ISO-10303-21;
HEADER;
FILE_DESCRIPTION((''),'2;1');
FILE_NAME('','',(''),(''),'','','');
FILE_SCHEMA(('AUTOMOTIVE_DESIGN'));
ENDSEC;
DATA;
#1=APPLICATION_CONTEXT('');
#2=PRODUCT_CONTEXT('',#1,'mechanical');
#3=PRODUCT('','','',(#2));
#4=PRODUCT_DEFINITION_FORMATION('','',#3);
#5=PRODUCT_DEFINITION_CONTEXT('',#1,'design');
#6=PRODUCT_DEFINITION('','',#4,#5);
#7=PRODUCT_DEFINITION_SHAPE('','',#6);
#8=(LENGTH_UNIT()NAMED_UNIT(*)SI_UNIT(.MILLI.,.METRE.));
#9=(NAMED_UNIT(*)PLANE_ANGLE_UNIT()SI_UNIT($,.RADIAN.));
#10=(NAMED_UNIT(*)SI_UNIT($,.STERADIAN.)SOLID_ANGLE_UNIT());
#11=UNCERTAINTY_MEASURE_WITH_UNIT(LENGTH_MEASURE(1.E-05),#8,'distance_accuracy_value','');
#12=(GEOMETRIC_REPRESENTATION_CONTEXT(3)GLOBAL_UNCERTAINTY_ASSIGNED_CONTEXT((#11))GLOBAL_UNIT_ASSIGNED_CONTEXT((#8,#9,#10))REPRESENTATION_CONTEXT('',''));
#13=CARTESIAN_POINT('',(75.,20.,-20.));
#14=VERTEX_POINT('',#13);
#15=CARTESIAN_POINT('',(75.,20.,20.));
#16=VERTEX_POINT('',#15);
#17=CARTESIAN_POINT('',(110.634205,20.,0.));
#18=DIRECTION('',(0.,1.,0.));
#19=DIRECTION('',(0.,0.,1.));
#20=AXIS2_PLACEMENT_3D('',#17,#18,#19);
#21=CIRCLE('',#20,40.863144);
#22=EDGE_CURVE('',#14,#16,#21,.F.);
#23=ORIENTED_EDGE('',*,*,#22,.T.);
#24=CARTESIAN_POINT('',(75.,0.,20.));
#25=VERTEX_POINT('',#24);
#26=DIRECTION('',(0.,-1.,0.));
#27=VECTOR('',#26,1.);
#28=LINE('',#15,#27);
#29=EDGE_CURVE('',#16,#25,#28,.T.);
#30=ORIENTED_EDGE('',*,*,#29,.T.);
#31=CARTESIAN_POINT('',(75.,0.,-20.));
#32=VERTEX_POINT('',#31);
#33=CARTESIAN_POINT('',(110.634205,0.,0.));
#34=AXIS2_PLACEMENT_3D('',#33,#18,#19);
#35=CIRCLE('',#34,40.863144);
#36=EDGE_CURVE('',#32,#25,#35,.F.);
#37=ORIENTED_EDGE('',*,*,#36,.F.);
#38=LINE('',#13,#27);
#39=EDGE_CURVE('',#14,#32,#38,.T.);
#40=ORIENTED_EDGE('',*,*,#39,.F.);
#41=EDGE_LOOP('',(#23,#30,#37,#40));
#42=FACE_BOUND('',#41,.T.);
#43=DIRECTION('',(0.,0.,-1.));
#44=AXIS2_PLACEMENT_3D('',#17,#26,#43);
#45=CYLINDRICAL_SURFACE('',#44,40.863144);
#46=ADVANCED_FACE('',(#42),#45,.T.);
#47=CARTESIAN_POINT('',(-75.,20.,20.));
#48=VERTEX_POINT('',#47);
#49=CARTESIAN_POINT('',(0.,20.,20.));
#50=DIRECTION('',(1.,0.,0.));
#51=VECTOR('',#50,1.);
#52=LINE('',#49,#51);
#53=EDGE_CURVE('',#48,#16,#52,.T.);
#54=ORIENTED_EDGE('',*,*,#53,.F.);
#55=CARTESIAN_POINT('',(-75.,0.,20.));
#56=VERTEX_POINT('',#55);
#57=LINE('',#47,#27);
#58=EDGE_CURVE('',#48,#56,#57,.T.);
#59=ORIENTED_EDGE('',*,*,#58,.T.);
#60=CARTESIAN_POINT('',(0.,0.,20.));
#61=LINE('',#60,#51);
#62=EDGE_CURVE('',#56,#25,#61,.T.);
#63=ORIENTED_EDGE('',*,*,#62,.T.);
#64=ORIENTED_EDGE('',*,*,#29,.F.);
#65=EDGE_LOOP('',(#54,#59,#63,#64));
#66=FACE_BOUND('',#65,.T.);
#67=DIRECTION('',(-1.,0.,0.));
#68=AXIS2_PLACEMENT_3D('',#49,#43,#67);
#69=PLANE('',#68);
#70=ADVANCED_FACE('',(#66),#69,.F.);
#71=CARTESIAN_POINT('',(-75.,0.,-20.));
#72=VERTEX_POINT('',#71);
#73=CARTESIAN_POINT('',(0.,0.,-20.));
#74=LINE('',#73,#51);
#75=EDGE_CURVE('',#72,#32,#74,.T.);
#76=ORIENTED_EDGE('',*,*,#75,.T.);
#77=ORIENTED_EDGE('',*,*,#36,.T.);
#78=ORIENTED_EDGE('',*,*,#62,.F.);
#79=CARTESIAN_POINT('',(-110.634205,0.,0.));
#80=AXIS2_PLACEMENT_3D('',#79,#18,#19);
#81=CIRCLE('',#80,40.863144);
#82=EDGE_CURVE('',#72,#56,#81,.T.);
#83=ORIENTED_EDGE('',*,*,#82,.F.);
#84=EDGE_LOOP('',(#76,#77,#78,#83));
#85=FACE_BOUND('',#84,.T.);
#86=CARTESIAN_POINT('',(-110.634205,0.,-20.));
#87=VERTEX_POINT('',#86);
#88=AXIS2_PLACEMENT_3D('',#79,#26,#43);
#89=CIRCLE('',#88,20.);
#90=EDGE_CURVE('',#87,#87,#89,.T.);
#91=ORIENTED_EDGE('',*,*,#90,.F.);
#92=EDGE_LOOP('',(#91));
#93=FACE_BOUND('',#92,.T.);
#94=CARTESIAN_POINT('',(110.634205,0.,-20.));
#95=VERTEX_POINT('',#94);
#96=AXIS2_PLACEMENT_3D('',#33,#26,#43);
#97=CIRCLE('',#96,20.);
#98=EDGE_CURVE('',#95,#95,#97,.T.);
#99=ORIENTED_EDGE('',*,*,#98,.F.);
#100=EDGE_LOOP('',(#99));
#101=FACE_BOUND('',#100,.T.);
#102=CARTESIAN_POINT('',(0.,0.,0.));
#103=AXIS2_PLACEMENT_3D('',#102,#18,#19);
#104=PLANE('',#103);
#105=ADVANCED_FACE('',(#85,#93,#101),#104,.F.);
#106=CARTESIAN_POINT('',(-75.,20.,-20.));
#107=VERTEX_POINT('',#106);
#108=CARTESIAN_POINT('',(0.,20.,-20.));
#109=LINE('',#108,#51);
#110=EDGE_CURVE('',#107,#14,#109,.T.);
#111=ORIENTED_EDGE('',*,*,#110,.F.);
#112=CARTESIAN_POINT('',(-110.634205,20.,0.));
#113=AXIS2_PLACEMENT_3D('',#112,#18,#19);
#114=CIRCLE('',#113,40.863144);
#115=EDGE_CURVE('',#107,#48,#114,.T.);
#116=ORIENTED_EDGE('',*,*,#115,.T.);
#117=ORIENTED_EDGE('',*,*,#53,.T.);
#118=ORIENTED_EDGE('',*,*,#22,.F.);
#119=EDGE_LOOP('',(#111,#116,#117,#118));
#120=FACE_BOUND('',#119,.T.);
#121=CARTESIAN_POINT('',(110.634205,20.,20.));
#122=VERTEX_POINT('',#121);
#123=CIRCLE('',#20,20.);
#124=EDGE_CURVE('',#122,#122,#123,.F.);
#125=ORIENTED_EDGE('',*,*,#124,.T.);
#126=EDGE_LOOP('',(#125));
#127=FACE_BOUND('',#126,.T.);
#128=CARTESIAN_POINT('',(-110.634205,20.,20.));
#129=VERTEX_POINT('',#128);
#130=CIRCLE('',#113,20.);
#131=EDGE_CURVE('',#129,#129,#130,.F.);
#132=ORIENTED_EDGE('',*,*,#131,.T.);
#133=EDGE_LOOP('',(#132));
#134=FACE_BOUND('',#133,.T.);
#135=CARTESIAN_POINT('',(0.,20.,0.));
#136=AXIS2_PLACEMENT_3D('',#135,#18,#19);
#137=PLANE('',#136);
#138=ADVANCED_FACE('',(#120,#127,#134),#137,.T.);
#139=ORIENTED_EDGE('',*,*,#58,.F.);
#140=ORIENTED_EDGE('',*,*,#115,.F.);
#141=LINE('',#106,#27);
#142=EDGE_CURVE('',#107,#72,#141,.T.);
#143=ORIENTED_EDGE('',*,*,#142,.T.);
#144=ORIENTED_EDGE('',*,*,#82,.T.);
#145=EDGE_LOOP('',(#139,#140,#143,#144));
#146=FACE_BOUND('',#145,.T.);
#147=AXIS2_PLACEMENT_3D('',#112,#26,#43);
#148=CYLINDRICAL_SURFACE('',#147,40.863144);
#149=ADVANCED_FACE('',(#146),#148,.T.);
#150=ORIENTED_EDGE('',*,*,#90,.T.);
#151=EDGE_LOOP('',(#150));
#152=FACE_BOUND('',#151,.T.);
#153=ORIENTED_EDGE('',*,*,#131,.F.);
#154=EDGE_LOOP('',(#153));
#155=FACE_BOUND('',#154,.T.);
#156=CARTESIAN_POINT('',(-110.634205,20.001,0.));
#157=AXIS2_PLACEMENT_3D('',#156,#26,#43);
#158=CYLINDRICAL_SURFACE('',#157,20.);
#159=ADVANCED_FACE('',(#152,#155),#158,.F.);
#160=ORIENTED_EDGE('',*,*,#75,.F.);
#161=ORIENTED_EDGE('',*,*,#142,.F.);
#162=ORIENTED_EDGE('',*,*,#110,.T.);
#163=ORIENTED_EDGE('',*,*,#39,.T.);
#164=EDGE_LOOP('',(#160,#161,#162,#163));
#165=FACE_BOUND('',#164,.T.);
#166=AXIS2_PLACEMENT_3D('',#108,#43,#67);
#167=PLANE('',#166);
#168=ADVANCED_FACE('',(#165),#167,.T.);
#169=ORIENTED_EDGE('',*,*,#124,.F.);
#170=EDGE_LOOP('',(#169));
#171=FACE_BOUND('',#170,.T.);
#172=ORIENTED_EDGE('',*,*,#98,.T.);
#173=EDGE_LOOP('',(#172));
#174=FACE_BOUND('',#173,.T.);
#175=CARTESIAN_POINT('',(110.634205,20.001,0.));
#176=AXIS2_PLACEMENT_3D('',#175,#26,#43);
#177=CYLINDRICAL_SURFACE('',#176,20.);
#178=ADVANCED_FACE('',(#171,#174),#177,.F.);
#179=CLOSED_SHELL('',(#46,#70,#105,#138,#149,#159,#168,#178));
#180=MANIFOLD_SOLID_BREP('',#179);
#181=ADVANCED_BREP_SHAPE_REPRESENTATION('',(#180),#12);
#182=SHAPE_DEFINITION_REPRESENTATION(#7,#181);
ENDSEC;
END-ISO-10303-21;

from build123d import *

# Parameters (mm, degrees)
SKETCH4_R           = 40.863144044
SKETCH4_W           = 150
SKETCH4_H           = 40
BOSS_EXTRUDE1_DEPTH = 20
CUT_EXTRUDE1_REACH  = 160.181
SKETCH6_R           = 20


with BuildPart() as part:
    # Sketch4 → Boss-Extrude1 (new body)
    with BuildSketch(Plane(origin=(0, 0, 0), x_dir=(1, 0, 0), z_dir=(0, 1, 0))):
        with Locations((-110.634204652, 0)):
            Circle(SKETCH4_R)
        with Locations((110.634204652, 0)):
            Circle(SKETCH4_R)
        Rectangle(SKETCH4_W, SKETCH4_H)
    extrude(amount=BOSS_EXTRUDE1_DEPTH)

    # Sketch6 → Cut-Extrude1 (cut, up to next)
    with BuildSketch(Plane.XZ, mode=Mode.PRIVATE) as cut_extrude1_sk1:
        with Locations(Location((-110.634204652, 0, 0), (0, 0, 270))):
            Circle(SKETCH6_R)
    cut_extrude1_tool1 = extrude(cut_extrude1_sk1.sketch, amount=-CUT_EXTRUDE1_REACH, mode=Mode.PRIVATE) & part.part
    # Sketch6 → Cut-Extrude1 (cut, up to next)
    with BuildSketch(Plane.XZ, mode=Mode.PRIVATE) as cut_extrude1_sk2:
        with Locations(Location((110.634204652, 0, 0), (0, 0, 270))):
            Circle(SKETCH6_R)
    cut_extrude1_tool2 = extrude(cut_extrude1_sk2.sketch, amount=-CUT_EXTRUDE1_REACH, mode=Mode.PRIVATE) & part.part
    add(cut_extrude1_tool1.solids().sort_by_distance((-110.634205, 0, 0))[0], mode=Mode.SUBTRACT)
    add(cut_extrude1_tool2.solids().sort_by_distance((110.634205, 0, 0))[0], mode=Mode.SUBTRACT)


solid = part.part
